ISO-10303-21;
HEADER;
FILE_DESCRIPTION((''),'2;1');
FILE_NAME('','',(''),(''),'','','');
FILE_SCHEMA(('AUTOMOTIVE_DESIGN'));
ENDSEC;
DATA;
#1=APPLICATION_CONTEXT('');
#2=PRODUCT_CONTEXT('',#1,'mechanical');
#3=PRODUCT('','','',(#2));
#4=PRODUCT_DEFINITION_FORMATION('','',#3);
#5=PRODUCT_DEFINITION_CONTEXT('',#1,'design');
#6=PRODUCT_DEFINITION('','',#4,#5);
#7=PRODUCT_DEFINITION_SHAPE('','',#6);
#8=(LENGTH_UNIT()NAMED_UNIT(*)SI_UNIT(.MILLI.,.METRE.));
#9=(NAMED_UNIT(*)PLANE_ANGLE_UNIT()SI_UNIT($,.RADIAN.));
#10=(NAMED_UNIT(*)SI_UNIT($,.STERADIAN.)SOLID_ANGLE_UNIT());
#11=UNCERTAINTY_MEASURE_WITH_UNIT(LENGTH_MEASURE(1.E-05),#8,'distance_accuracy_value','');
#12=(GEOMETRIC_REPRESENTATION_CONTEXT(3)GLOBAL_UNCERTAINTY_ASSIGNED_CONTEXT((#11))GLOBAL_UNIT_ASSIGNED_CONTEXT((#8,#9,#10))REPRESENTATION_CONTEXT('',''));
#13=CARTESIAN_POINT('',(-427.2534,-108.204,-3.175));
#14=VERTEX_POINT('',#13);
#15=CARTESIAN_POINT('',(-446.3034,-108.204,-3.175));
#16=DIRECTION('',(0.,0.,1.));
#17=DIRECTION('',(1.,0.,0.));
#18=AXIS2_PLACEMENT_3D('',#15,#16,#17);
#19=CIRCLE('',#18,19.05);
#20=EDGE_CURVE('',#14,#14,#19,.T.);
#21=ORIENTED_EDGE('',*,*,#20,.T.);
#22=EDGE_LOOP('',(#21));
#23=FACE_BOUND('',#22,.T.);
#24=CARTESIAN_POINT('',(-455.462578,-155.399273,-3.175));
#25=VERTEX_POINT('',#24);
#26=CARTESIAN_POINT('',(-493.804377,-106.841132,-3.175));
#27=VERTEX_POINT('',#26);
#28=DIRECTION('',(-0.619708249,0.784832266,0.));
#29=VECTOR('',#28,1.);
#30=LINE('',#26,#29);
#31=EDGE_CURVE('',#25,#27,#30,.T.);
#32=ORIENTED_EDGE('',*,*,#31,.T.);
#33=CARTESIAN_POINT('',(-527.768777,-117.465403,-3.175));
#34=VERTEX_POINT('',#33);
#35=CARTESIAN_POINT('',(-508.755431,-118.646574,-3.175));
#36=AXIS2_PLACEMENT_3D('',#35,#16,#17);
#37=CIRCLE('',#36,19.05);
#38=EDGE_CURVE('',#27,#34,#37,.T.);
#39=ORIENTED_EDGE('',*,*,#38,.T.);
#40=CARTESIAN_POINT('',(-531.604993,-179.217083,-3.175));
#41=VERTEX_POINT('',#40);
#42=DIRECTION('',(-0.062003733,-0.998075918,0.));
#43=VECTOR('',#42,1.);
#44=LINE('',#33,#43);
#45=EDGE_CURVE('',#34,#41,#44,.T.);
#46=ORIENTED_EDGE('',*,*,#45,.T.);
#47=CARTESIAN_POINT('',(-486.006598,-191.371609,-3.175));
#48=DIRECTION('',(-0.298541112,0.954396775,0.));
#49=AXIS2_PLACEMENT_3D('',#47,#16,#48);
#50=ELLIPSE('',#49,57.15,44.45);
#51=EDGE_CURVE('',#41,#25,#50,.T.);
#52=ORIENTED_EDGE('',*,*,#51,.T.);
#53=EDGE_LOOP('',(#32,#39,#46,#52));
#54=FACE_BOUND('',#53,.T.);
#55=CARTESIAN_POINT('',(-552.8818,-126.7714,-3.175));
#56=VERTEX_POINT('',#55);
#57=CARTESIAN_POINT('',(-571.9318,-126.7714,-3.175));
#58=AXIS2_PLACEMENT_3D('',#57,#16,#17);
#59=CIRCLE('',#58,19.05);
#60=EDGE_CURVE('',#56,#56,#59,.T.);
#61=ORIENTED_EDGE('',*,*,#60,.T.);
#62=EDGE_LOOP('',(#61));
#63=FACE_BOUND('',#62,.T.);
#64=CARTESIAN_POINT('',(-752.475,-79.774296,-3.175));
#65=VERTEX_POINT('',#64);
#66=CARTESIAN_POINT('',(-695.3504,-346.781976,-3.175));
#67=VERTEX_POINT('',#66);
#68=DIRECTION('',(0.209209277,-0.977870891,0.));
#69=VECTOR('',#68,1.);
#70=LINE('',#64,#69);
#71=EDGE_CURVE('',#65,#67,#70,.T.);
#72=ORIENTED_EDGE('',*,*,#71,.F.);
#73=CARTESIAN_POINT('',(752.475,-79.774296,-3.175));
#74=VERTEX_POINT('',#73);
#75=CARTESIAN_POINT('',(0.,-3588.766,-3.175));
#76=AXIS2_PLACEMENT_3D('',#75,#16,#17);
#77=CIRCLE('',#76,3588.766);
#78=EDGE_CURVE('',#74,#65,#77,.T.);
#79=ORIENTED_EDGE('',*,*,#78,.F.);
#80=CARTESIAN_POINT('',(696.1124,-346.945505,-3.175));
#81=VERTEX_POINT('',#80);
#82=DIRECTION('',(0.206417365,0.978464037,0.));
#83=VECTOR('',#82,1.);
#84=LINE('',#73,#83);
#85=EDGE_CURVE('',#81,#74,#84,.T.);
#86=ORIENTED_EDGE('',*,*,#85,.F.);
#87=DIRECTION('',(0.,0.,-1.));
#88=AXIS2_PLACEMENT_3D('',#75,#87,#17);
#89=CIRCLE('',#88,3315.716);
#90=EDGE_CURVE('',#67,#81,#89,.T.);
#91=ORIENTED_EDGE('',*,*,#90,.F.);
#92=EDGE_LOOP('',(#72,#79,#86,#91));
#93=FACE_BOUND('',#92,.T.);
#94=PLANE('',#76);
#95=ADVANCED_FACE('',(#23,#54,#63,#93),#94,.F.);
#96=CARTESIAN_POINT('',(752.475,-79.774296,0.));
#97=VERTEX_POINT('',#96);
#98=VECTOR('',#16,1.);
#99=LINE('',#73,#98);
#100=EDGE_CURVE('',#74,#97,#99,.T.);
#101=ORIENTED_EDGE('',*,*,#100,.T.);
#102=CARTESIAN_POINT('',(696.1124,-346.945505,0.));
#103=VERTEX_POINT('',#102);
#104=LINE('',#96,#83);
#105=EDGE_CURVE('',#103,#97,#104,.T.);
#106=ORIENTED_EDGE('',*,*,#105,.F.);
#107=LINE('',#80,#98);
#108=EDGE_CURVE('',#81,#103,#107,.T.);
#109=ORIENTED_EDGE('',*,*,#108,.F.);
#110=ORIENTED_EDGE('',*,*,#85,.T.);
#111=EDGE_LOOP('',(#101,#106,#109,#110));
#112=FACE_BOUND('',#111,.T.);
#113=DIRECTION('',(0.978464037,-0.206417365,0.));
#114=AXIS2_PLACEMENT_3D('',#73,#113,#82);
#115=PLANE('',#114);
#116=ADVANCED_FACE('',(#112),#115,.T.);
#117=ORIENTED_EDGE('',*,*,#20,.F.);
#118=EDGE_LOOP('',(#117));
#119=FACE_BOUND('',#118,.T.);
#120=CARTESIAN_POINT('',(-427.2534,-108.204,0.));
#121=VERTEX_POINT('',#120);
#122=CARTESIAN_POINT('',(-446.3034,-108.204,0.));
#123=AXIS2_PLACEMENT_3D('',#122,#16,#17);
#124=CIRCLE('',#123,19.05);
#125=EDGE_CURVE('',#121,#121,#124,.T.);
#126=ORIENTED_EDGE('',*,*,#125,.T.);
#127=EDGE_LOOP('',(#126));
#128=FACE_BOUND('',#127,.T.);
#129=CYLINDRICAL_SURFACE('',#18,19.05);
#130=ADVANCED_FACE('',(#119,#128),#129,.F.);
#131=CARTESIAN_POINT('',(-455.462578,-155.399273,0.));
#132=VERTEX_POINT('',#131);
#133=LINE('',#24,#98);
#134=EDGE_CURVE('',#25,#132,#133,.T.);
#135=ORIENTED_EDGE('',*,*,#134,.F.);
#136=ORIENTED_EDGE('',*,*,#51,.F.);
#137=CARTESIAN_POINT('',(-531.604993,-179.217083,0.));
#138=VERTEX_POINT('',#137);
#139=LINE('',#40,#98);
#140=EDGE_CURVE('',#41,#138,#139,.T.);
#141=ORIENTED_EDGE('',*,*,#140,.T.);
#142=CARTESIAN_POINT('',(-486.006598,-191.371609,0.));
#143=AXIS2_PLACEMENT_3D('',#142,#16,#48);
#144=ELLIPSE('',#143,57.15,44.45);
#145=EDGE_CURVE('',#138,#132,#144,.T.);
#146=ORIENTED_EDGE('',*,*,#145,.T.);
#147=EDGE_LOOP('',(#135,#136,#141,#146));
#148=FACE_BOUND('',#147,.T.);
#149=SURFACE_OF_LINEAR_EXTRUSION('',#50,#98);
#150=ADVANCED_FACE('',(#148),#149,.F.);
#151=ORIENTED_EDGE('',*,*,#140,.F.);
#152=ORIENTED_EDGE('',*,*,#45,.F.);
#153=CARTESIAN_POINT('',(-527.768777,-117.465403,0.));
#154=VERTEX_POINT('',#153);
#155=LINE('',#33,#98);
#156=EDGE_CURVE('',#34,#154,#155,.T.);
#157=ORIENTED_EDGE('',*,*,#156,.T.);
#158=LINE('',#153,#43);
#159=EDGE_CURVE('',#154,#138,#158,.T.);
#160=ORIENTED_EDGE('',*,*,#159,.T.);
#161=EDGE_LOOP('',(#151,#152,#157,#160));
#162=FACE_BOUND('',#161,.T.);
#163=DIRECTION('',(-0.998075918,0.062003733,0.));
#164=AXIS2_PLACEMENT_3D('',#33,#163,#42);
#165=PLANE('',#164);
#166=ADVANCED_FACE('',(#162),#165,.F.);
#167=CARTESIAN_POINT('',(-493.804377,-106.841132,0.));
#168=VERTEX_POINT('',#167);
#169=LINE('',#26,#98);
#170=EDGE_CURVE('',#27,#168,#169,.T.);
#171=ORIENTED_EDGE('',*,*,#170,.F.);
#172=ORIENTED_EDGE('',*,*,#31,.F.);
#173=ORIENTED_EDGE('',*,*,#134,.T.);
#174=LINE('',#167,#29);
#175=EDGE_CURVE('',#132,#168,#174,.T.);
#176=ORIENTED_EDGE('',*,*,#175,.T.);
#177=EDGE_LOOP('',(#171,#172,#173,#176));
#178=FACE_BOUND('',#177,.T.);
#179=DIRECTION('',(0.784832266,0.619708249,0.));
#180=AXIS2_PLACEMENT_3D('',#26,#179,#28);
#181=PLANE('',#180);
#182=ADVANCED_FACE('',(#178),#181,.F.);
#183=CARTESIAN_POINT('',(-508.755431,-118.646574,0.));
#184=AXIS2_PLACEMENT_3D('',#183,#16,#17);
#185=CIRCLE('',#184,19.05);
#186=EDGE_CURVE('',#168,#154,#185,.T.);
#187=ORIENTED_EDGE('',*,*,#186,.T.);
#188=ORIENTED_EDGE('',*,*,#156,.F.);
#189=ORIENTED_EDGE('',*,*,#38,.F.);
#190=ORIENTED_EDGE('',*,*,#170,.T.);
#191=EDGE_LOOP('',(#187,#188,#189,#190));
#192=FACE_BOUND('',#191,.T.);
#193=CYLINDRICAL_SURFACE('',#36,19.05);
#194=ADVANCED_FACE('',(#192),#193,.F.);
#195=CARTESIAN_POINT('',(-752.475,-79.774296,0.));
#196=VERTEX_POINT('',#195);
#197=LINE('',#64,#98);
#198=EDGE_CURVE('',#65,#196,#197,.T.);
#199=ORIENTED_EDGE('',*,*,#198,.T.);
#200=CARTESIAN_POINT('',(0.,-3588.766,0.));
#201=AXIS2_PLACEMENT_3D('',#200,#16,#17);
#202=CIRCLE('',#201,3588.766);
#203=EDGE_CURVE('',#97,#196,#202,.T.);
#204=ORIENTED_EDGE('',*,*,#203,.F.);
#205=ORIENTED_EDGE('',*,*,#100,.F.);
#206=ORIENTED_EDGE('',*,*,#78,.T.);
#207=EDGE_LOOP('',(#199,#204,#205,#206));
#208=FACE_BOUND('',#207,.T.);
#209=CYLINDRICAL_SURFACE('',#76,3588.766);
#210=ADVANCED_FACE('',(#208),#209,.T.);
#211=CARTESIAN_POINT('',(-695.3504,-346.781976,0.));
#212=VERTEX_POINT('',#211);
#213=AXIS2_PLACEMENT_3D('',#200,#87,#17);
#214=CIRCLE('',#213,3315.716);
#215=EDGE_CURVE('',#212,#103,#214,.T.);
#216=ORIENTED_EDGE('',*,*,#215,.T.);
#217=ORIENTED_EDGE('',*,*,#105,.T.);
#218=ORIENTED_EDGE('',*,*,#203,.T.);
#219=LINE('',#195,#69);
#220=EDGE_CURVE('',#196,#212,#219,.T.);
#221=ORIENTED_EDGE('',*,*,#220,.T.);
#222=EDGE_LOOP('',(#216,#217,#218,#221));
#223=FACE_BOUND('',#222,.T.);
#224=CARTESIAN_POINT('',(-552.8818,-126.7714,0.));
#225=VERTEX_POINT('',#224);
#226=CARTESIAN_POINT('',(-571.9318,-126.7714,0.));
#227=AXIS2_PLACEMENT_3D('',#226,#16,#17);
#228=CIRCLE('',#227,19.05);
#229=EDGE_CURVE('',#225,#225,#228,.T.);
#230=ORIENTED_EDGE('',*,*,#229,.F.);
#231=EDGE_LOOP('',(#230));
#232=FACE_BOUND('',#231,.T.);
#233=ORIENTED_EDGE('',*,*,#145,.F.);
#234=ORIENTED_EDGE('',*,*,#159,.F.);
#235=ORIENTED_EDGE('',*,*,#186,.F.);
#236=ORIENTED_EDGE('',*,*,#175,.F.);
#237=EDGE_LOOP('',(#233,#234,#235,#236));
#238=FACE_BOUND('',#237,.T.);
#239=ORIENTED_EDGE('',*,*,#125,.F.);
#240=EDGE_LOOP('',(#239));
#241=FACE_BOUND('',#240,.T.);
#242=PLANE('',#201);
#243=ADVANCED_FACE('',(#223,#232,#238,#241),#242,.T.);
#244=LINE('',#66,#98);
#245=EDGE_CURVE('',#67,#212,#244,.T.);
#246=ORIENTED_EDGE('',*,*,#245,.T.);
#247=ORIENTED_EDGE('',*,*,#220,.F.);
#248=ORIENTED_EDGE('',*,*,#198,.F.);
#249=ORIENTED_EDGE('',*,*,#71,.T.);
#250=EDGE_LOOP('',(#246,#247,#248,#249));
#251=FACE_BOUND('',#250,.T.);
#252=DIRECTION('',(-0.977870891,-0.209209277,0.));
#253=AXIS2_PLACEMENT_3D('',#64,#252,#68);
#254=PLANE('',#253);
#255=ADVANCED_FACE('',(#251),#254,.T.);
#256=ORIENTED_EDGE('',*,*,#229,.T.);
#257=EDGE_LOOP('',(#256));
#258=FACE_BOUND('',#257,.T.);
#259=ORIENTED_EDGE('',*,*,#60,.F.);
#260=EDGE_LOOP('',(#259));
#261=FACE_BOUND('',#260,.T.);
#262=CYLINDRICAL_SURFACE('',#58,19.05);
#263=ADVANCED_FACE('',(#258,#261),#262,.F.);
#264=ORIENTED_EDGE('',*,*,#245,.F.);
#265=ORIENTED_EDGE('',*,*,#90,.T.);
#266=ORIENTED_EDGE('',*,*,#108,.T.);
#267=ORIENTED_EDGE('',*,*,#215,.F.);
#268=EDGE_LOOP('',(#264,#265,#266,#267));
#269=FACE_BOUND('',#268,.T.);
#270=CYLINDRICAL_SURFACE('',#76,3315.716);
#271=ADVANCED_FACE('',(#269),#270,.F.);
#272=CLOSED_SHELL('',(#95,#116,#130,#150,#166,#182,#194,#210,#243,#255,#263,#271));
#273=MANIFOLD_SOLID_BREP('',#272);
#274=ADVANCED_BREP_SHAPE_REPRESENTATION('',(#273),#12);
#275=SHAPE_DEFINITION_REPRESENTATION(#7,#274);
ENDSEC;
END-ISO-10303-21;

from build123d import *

# Parameters (mm, degrees)
SKETCH1_R          = 19.05
BASE_EXTRUDE_DEPTH = 3.175


with BuildPart() as part:
    # Sketch1 → Base-Extrude (new body)
    with BuildSketch(Plane.XY):
        with BuildLine():
            Line((-752.475, -79.774296229), (-695.3504, -346.781975691))
            ThreePointArc((-695.3504, -346.781975691), (0.389674853, -273.050022898), (696.1124, -346.945505398))
            Line((696.1124, -346.945505398), (752.475, -79.774296229))
            ThreePointArc((752.475, -79.774296229), (0, 0), (-752.475, -79.774296229))
        make_face()
        with Locations((-446.3034, -108.204)):
            Circle(SKETCH1_R, mode=Mode.SUBTRACT)
        with Locations((-571.9318, -126.7714)):
            Circle(SKETCH1_R, mode=Mode.SUBTRACT)
        with BuildLine():
            Line((-527.768777415, -117.465403312), (-531.604993281, -179.217083351))
            add(Edge.make_bspline(
                [(-531.604993281, -179.217083351), (-537.072397888, -267.226056703), (-468.944973872, -245.915384382), (-400.817549855, -224.604712061), (-455.462578204, -155.39927311)],
                knots=[1.113887128, 1.113887128, 1.113887128, 3.141592654, 3.141592654, 5.169298179, 5.169298179, 5.169298179], degree=2, weights=[1, 0.52859414, 1, 0.52859414, 1]))
            Line((-455.462578204, -155.39927311), (-493.80437652, -106.841132272))
            ThreePointArc((-493.80437652, -106.841132272), (-514.442639374, -100.465315857), (-527.768777415, -117.465403312))
        make_face(mode=Mode.SUBTRACT)
    extrude(amount=-BASE_EXTRUDE_DEPTH)


solid = part.part
